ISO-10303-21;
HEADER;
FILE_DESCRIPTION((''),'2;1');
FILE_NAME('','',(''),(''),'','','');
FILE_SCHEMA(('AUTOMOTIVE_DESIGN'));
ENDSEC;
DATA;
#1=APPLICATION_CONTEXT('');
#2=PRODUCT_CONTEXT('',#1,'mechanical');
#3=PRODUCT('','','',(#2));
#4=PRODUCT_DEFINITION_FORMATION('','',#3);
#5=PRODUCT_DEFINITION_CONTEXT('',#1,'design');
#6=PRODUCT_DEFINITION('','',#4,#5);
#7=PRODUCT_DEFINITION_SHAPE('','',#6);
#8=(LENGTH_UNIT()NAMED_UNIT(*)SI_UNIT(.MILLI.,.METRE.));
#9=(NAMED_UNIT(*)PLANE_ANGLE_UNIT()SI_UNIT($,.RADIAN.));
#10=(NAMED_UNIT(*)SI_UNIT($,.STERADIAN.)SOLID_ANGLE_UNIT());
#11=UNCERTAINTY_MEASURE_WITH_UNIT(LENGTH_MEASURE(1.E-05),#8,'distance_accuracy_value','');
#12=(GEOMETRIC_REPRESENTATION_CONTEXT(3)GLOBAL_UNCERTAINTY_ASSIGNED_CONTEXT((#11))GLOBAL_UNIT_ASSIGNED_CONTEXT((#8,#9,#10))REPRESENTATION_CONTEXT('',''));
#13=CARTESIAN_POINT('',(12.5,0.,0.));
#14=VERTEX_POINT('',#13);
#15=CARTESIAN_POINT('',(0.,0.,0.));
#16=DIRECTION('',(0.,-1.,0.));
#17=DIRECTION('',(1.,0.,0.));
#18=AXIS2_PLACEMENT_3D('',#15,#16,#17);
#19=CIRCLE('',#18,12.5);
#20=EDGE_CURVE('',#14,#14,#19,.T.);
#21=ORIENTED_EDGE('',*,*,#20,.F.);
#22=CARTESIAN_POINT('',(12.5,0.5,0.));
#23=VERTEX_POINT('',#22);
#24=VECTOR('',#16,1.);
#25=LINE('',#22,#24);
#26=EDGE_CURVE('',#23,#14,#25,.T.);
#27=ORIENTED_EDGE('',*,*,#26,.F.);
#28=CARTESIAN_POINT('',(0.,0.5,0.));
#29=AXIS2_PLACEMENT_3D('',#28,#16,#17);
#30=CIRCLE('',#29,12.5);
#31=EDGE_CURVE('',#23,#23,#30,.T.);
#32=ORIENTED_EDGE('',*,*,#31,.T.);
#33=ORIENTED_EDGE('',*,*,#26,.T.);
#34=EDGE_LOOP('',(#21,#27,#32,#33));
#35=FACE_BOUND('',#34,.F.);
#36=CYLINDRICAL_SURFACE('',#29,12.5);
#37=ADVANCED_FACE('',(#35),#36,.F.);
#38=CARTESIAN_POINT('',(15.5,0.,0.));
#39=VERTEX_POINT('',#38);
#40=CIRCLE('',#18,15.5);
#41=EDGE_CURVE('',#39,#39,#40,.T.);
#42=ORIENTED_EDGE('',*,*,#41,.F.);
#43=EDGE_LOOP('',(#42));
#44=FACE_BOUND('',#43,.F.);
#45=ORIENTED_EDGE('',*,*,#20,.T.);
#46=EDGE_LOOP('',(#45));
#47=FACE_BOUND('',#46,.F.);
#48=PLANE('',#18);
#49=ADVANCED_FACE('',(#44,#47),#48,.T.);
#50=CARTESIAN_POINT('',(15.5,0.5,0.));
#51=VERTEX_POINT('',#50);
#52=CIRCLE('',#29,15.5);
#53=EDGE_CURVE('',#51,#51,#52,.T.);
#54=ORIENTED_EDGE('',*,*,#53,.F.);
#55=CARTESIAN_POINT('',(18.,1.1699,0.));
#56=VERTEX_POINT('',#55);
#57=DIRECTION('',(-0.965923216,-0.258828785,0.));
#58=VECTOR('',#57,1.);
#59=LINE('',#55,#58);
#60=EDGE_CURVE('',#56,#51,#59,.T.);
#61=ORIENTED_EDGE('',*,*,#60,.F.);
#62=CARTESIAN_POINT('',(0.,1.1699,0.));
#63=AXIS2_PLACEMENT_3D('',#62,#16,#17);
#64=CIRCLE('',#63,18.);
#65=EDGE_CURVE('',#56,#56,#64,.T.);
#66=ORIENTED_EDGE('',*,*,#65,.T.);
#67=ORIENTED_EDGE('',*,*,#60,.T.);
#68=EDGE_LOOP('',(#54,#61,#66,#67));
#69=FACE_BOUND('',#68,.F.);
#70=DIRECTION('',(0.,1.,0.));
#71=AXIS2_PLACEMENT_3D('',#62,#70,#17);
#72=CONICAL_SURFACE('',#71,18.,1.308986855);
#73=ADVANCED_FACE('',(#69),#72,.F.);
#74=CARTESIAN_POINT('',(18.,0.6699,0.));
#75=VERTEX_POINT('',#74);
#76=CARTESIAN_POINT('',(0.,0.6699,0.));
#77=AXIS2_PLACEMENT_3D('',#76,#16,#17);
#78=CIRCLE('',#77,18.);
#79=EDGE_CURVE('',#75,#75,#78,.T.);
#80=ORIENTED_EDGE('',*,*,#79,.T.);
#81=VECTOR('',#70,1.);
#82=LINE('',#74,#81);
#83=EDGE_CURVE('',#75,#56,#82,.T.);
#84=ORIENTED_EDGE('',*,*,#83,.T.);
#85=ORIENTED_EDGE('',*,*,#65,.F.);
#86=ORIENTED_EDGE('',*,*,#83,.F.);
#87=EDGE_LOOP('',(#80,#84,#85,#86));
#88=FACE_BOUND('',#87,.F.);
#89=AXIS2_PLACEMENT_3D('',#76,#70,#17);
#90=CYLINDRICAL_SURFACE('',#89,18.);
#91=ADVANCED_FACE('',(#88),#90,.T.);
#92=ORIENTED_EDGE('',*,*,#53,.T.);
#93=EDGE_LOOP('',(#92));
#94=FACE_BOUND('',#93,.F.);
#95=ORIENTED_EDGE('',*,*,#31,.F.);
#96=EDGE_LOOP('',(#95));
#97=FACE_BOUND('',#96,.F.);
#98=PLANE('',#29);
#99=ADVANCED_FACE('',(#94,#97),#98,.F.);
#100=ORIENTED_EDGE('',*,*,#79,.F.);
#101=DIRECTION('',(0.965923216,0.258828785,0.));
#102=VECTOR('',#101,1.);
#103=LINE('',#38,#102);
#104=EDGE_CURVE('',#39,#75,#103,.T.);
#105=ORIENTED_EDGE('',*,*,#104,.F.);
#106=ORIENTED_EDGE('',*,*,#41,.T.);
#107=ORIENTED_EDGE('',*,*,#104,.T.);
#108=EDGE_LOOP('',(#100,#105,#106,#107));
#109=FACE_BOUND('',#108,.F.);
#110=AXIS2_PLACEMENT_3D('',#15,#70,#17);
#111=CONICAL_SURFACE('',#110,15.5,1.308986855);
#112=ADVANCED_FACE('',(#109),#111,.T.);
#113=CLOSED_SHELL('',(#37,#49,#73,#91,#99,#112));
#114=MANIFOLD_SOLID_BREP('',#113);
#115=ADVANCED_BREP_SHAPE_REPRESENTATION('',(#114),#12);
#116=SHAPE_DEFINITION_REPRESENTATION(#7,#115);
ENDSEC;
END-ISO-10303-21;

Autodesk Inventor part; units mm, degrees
sketch "Sketch_1" plane through (0, 0, 0) normal (0, 0, 1) x (1, 0, 0)
  line L0 (0, 0) -> (0, 0.5)
  line L1 (12.5, 0.5) -> (12.5, 0)
  line L2 (12.5, 0) -> (15.5, 0)
  line L3 (15.5, 0) -> (18, 0.6699)
  line L4 (18, 0.6699) -> (18, 1.1699)
  line L5 (18, 1.1699) -> (15.5, 0.5)
  line L6 (15.5, 0.5) -> (12.5, 0.5)
revolve "Revolution1" add sketch "Sketch_1" angle 360 about axis through (0, 0, 0) along (0, -1, 0)
ref_plane "FL1_XY" through (0, 0, 0) normal (0, -1, 0) x (1, 0, 0)
ref_plane "FL1_YZ" through (0, 0, 0) normal (1, 0, 0) x (0, 0, 1)
ref_plane "FL1_ZX" through (0, 0, 0) normal (0, 0, 1) x (0, -1, 0)
properties part number "49200510"
